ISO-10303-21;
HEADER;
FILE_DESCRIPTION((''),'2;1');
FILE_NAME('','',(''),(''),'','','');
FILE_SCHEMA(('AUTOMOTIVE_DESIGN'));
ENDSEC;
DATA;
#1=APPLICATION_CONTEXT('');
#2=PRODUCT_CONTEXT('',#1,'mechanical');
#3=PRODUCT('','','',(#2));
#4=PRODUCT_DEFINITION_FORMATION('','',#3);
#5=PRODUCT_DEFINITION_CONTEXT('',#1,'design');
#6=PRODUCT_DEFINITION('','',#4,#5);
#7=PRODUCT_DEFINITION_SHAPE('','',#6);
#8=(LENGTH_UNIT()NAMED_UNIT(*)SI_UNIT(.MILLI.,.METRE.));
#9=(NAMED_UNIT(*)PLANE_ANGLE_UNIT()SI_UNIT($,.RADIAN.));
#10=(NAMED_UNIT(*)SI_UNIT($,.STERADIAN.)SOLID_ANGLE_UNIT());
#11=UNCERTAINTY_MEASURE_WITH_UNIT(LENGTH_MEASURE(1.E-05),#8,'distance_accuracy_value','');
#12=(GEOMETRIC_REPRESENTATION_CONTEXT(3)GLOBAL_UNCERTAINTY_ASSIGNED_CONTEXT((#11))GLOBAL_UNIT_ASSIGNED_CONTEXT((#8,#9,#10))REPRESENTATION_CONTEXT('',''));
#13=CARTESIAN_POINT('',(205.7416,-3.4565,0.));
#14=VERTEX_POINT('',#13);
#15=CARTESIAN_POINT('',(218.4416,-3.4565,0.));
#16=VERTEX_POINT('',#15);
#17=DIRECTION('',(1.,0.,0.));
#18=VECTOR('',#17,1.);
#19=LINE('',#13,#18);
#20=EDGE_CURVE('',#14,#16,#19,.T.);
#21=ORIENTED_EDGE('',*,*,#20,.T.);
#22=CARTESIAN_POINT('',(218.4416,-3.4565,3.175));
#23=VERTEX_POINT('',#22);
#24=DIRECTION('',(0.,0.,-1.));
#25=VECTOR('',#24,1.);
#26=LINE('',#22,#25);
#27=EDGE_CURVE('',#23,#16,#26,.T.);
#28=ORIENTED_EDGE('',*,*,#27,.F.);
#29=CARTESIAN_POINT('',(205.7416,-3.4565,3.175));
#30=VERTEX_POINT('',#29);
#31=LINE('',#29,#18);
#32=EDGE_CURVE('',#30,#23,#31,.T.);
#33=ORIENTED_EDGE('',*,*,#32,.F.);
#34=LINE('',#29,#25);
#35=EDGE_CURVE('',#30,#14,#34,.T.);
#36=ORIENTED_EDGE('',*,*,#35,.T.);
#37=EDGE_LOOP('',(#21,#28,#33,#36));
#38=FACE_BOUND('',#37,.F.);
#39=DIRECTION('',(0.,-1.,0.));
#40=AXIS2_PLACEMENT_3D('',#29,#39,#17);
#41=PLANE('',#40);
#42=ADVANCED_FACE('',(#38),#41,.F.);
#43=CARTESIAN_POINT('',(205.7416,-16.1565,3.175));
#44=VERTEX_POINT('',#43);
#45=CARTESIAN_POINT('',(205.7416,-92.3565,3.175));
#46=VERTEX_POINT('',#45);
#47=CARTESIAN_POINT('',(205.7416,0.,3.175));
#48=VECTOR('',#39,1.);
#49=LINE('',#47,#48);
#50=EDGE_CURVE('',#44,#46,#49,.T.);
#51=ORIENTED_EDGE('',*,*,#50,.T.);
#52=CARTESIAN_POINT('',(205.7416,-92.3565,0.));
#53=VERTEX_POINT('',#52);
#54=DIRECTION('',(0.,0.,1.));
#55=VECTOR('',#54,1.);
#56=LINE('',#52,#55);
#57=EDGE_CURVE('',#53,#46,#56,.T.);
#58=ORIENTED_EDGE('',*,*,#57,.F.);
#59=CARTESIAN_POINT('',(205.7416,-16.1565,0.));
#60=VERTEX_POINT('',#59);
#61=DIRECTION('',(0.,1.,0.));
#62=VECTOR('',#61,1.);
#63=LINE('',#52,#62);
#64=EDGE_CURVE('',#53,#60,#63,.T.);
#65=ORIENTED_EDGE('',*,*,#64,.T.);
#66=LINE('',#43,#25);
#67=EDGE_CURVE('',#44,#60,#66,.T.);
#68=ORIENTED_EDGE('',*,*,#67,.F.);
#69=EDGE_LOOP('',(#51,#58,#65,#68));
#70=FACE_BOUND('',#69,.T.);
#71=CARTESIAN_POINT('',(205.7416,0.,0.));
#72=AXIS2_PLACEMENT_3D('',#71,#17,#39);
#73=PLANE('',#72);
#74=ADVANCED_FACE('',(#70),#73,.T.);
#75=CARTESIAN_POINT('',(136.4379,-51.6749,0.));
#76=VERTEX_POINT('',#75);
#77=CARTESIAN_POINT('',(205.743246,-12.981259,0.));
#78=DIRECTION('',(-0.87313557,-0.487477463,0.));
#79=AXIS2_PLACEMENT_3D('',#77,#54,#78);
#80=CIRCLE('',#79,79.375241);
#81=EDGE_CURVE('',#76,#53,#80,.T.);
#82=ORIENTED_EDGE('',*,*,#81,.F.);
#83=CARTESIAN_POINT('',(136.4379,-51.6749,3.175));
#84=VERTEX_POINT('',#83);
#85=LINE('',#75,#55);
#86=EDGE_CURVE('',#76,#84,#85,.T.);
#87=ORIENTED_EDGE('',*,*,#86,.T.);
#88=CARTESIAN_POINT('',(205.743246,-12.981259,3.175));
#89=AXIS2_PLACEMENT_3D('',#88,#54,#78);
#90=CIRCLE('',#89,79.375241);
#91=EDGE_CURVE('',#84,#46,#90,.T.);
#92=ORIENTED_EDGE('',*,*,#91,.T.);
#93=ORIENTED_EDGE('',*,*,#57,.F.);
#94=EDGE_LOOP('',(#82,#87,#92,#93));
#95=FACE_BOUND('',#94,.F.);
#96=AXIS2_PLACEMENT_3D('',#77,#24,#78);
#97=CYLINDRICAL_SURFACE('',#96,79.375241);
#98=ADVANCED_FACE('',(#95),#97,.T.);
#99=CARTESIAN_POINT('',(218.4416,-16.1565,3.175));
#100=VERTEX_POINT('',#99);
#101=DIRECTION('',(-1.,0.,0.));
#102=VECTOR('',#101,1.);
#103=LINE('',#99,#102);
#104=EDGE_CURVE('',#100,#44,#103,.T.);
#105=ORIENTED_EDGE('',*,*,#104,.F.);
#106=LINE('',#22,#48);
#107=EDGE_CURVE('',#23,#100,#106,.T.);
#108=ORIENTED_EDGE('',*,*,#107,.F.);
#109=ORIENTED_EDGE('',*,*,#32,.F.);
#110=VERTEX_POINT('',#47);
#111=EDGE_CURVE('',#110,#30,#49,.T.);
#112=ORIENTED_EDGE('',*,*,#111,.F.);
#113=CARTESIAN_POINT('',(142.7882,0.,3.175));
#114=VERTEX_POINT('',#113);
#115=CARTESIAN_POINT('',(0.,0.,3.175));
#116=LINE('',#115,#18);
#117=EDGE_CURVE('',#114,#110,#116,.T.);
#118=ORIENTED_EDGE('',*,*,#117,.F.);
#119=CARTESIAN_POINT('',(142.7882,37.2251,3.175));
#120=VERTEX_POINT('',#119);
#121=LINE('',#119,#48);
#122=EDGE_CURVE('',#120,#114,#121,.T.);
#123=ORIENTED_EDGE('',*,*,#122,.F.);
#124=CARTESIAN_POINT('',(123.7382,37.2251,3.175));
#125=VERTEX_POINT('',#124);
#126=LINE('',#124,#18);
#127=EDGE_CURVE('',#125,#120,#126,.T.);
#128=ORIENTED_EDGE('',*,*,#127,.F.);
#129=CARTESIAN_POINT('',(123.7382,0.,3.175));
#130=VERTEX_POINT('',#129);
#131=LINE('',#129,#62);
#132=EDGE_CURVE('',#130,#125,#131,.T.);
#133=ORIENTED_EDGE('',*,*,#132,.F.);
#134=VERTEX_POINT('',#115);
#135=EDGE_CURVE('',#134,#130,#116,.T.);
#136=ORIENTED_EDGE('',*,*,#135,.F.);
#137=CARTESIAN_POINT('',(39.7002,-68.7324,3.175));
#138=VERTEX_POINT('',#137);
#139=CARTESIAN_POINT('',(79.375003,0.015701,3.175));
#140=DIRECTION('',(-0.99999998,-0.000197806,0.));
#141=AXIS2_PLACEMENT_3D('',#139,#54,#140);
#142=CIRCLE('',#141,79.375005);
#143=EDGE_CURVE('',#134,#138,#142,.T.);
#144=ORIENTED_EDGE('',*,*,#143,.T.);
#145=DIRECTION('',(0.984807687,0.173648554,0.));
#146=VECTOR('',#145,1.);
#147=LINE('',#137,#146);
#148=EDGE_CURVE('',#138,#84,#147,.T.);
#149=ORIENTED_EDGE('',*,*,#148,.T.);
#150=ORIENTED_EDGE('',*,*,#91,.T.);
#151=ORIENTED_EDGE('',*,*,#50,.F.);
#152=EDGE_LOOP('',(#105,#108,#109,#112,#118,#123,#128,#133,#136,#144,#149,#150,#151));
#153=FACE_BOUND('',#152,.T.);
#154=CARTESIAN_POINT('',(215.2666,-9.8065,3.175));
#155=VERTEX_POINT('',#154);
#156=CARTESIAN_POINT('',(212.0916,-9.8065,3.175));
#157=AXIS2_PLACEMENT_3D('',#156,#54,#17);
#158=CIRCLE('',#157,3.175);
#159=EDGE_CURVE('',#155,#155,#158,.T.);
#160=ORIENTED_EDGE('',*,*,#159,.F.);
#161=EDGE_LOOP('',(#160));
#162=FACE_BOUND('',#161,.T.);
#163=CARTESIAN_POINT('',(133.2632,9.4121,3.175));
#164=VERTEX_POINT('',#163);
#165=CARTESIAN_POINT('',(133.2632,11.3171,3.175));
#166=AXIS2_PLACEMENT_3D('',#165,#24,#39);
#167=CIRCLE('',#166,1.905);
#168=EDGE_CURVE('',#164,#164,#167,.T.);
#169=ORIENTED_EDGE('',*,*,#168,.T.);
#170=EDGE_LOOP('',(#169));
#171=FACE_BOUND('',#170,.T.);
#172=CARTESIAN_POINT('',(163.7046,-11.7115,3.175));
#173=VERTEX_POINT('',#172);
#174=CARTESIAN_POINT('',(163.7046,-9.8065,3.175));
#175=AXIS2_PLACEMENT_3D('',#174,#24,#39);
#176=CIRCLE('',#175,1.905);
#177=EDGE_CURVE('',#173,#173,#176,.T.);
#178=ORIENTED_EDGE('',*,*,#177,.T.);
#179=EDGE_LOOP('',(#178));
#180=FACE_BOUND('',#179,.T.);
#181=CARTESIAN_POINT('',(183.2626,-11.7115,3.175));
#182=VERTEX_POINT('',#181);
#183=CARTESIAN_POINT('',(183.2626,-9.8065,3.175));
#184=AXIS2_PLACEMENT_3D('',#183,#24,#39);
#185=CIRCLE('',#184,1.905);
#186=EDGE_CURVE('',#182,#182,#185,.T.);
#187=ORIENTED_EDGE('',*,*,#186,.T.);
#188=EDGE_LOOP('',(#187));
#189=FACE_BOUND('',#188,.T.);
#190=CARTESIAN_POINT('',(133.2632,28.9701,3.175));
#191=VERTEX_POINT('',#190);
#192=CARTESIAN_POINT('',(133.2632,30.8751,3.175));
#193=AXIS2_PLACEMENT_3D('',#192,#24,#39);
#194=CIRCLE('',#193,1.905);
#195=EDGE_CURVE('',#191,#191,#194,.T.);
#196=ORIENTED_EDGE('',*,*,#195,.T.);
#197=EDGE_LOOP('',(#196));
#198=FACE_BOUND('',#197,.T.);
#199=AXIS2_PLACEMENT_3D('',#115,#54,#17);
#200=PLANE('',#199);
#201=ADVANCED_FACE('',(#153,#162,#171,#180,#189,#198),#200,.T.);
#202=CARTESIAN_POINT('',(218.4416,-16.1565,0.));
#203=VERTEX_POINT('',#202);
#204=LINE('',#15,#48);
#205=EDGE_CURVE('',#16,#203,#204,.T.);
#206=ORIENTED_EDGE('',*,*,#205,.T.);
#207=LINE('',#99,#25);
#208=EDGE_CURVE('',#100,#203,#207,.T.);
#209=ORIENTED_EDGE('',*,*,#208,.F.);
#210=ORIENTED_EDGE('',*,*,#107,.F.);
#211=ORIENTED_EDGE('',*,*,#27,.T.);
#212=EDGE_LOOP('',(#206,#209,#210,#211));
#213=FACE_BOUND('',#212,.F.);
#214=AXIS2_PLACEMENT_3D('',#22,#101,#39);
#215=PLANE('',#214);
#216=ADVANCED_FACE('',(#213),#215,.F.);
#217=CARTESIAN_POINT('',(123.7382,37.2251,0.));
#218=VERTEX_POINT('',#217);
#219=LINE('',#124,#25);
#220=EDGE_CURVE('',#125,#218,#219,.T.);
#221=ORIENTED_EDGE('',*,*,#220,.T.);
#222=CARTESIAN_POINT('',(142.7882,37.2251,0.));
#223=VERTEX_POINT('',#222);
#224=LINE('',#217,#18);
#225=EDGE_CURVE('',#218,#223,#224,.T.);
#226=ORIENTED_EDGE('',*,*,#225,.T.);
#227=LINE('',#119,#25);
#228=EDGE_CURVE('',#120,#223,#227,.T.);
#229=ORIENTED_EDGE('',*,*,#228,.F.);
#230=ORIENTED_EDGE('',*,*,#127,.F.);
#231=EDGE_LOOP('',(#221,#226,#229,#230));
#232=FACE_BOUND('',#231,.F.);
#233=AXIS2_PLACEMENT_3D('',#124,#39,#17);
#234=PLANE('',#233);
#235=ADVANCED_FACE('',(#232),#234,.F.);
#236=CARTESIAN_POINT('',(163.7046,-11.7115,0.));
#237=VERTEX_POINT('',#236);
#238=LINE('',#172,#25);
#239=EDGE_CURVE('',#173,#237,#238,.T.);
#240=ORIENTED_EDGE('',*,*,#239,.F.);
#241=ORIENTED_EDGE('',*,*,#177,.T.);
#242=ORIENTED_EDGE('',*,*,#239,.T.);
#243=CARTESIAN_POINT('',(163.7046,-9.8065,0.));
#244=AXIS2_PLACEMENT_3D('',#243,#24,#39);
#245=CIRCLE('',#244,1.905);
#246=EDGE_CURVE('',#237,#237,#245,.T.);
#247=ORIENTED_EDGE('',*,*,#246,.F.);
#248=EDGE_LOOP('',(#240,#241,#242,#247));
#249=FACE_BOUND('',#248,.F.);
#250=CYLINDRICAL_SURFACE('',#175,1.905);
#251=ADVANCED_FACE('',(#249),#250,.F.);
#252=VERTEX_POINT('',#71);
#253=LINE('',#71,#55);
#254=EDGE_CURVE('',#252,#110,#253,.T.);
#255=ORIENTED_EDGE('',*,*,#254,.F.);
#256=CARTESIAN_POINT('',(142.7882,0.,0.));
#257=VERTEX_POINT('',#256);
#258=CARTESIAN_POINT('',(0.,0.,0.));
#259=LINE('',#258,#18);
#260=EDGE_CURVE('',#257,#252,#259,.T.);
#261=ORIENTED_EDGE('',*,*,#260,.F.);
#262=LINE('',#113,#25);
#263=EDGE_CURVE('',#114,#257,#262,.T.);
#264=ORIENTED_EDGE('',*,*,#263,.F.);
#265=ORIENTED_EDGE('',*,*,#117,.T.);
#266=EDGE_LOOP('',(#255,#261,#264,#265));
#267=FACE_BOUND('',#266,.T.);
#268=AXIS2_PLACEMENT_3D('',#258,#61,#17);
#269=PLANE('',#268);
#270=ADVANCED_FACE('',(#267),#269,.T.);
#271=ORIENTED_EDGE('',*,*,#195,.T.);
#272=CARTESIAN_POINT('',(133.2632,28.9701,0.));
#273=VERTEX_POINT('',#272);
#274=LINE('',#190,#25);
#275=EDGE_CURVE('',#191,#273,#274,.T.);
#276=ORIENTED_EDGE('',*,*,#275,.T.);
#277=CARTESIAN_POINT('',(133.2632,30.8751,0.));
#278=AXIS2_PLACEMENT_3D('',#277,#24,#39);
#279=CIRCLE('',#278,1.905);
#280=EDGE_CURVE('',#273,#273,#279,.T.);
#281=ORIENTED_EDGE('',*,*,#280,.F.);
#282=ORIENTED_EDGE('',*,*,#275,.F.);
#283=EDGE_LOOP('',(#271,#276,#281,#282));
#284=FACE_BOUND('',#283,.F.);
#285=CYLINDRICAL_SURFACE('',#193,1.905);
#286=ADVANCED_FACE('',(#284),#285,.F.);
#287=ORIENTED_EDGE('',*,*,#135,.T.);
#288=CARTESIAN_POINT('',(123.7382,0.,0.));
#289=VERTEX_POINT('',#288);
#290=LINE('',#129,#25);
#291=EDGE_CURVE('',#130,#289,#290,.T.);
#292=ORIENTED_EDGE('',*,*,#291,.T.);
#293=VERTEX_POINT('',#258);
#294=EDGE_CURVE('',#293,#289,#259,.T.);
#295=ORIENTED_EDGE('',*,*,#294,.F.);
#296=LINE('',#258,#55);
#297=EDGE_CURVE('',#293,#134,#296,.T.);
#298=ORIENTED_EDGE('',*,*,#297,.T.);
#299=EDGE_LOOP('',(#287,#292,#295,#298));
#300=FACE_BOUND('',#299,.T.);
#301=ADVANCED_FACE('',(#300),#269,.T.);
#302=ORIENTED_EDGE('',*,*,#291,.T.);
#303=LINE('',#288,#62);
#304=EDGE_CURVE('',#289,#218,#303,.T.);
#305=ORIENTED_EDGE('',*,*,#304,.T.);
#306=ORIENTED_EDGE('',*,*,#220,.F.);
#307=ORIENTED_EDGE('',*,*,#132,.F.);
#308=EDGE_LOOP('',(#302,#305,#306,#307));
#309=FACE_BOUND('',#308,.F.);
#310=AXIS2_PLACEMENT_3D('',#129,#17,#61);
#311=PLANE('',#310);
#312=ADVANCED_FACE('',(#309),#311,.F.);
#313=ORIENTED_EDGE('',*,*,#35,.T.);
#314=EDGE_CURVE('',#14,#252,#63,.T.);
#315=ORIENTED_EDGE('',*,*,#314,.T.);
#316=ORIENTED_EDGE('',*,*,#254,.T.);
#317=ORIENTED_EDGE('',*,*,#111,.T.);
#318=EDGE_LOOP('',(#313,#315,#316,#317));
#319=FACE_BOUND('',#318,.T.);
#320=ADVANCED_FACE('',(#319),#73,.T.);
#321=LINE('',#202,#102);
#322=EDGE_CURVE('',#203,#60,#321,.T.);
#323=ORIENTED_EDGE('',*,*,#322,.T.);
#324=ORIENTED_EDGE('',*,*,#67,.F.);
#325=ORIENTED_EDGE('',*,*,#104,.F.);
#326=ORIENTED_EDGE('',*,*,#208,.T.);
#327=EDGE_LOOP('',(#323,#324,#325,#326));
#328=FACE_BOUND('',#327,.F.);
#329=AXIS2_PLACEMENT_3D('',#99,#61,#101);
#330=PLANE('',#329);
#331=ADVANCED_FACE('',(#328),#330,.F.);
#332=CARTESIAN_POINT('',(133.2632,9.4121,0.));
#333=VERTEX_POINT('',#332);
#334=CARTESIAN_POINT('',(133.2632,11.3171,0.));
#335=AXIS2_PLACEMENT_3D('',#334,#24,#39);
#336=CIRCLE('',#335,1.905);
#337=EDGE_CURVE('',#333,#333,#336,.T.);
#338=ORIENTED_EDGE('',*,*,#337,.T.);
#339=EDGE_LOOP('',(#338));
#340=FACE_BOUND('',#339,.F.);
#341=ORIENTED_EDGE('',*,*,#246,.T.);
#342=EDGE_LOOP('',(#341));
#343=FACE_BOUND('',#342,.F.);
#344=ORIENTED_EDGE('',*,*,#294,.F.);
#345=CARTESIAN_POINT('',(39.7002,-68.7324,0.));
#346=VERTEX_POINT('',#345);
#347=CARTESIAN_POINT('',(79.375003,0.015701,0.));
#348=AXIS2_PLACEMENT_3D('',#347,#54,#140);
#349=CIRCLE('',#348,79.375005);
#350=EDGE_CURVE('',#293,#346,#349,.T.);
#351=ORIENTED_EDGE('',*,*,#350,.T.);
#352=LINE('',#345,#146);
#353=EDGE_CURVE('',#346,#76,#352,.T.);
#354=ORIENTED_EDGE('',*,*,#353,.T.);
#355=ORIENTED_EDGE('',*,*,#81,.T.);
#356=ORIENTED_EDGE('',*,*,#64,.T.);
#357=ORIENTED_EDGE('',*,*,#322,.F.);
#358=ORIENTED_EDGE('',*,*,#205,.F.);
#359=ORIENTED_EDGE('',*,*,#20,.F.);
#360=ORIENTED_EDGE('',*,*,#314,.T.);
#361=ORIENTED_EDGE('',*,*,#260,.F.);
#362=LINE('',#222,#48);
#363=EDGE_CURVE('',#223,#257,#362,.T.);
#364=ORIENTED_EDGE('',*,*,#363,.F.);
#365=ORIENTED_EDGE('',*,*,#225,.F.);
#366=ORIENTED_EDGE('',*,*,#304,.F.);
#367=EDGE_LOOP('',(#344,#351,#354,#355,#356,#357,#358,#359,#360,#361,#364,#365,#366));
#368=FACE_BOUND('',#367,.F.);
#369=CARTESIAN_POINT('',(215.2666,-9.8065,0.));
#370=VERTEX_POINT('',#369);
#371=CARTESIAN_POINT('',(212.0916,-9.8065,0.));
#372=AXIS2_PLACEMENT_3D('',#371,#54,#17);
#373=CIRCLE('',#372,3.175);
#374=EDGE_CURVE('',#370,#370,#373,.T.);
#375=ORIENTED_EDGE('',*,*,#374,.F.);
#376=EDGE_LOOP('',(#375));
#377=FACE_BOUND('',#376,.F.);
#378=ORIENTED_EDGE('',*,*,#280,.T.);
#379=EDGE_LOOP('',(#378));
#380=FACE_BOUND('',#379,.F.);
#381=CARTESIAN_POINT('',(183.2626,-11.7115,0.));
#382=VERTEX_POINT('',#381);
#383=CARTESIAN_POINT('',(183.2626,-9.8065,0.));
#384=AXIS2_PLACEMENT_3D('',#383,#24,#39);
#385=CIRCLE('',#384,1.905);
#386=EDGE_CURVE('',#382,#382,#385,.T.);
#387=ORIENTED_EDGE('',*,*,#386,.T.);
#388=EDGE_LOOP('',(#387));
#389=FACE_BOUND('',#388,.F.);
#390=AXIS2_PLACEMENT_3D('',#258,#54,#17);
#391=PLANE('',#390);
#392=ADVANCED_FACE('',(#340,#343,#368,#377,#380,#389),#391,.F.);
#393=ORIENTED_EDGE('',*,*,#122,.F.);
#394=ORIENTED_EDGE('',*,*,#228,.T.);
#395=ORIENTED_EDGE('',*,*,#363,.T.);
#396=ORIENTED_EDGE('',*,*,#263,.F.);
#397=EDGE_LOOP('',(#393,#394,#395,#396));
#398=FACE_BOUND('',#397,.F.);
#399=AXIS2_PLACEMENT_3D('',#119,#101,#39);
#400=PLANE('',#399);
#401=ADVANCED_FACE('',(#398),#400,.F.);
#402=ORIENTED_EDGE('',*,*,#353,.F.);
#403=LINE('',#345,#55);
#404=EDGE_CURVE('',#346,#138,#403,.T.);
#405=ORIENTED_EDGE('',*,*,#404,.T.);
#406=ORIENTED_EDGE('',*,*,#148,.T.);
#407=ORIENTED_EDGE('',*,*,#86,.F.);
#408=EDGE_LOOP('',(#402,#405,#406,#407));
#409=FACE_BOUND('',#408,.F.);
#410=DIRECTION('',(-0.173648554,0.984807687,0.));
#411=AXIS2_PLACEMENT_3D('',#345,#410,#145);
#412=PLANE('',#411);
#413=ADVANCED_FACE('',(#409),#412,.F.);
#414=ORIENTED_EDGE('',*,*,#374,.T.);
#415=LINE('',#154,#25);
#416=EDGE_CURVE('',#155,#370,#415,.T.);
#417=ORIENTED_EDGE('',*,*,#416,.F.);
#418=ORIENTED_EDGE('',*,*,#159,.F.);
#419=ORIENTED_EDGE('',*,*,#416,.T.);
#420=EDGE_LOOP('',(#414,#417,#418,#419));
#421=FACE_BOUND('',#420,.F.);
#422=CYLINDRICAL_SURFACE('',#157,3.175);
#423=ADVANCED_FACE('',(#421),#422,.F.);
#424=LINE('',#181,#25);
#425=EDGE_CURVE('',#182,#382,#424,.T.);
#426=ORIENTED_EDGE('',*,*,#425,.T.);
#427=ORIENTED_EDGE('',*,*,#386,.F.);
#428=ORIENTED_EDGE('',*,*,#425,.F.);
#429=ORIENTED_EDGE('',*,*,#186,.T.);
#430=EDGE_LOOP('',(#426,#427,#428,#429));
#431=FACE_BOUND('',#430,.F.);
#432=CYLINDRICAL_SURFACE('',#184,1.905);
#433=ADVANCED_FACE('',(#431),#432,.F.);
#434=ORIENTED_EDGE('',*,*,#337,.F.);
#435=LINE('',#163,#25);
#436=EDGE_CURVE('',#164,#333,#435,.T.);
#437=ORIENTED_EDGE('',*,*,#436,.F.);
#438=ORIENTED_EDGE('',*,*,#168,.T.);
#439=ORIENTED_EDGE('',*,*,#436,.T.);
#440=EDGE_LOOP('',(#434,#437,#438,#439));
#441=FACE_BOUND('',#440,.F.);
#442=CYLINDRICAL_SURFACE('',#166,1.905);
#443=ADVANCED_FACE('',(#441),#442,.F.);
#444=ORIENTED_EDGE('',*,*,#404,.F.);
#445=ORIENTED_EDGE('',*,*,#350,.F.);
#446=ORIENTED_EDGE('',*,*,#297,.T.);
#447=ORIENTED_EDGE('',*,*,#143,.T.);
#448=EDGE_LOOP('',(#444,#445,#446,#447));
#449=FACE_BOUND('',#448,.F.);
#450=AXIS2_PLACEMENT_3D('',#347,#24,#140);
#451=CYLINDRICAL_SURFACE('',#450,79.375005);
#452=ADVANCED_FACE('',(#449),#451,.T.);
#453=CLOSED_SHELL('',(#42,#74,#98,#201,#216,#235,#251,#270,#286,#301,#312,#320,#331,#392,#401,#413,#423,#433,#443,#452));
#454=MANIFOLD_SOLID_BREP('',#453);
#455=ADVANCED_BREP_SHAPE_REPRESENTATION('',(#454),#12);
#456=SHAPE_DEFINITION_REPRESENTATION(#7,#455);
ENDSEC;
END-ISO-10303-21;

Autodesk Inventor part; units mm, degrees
ref_plane "YZ Plane" through (0, 0, 0) normal (1, 0, 0) x (0, 1, 0)
ref_plane "XZ Plane" through (0, 0, 0) normal (0, 1, 0) x (-1, 0, 0)
ref_plane "XY Plane" through (0, 0, 0) normal (0, 0, 1) x (1, 0, 0)
sketch "Sketch1" plane through (0, 0, 0) normal (0, 0, 1) x (1, 0, 0)
  arc A0 (0, 0) -> (39.7002, -68.7324) centre (79.375, 0.0157) ccw
  line L0 (39.7002, -68.7324) -> (139.7567, -51.0897)
  line L1 (39.7002, -68.7324) -> (141.3002, -68.7324) construction
  arc A1 (136.4379, -51.6749) -> (205.7416, -92.3565) centre (205.743, -12.9815) ccw
  arc A2 (139.7567, -51.0897) -> (205.7416, -89.1815) centre (205.743, -12.9815) ccw
  line L2 (205.7416, -89.1815) -> (205.7416, -92.3565)
  line L3 (0, 0) -> (205.7416, 0)
  line L4 (205.7416, 0) -> (205.7416, -89.1815)
  dimension "d0" = 79.375
  dimension "d1" = 68.7324
  dimension "d2" = 39.7002
  dimension "d3" = 101.6
  dimension "d4" = 10
  dimension "d5" = 79.375
  dimension "d6" = 76.2
  dimension "d7" = 3.175
  dimension "d9" = 0
  dimension "d10" = 0
  dimension "d11" = 48.9712
extrude "Extrusion1" add sketch "Sketch1" along normal blind 3.175
sketch "Sketch2" plane through (0, 0, 3.175) normal (0, 0, 1) x (1, 0, 0)
  line L0 (205.7416, -92.3565) -> (205.7416, 0) projected
  line L1 (205.7416, -3.4565) -> (218.4416, -3.4565)
  line L2 (218.4416, -3.4565) -> (218.4416, -16.1565)
  line L3 (218.4416, -16.1565) -> (205.7416, -16.1565)
  line L4 (205.7416, -16.1565) -> (205.7416, -3.4565)
  circle A0 centre (212.0916, -9.8065) radius 3.175
  point P0 (0, 0)
  dimension "d14" = 12.7
  dimension "d15" = 12.7
  dimension "d16" = 92.3565
  dimension "d17" = 6.35
  dimension "d18" = 82.55
  dimension "d19" = 6.35
extrude "Extrusion2" add sketch "Sketch2" against normal blind 3.175
sketch "Sketch3" plane through (0, 0, 3.175) normal (0, 0, 1) x (1, 0, 0)
  circle A0 centre (212.0916, -9.8065) radius 3.175 projected
  arc A1 (0, 0) -> (39.7002, -68.7324) centre (79.375, 0.0157) ccw projected
  line L0 (39.7002, -68.7324) -> (136.4379, -51.6749) projected
  arc A2 (136.4379, -51.6749) -> (205.7416, -92.3565) centre (205.743, -12.9815) ccw projected
  line L1 (205.7416, -92.3565) -> (205.7416, -16.1565) projected
  line L2 (218.4416, -16.1565) -> (205.7416, -16.1565) projected
  line L3 (218.4416, -3.4565) -> (218.4416, -16.1565) projected
  line L4 (205.7416, -3.4565) -> (218.4416, -3.4565) projected
  line L5 (205.7416, -3.4565) -> (205.7416, 0) projected
  line L6 (205.7416, 0) -> (0, 0) projected
  line L7 (205.7416, 0) -> (0, 0) projected
  line L8 (142.7882, 0) -> (123.7382, 0)
  line L9 (123.7382, 0) -> (123.7382, 37.2251)
  line L10 (123.7382, 37.2251) -> (142.7882, 37.2251)
  line L11 (142.7882, 37.2251) -> (142.7882, 0)
  dimension "d22" = 19.05
  dimension "d23" = 88.9
  dimension "d25" = 47.0315
  dimension "d26" = 69.3034
extrude "Extrusion3" add sketch "Sketch3" against normal blind 3.175 contours L9 L10 L11 L6
sketch "Sketch4" plane through (0, 0, 3.175) normal (0, 0, 1) x (1, 0, 0)
  circle A0 centre (212.0916, -9.8065) radius 3.175 projected
  arc A1 (0, 0) -> (39.7002, -68.7324) centre (79.375, 0.0157) ccw projected
  line L0 (39.7002, -68.7324) -> (136.4379, -51.6749) projected
  arc A2 (136.4379, -51.6749) -> (205.7416, -92.3565) centre (205.743, -12.9815) ccw projected
  line L1 (205.7416, -92.3565) -> (205.7416, -16.1565) projected
  line L2 (218.4416, -16.1565) -> (205.7416, -16.1565) projected
  line L3 (218.4416, -3.4565) -> (218.4416, -16.1565) projected
  line L4 (205.7416, -3.4565) -> (218.4416, -3.4565) projected
  line L5 (205.7416, -3.4565) -> (205.7416, 0) projected
  line L6 (205.7416, 0) -> (142.7882, 0) projected
  line L7 (142.7882, 0) -> (142.7882, 37.2251) projected
  line L8 (142.7882, 37.2251) -> (123.7382, 37.2251) projected
  line L9 (123.7382, 37.2251) -> (123.7382, 0) projected
  line L10 (123.7382, 0) -> (0, 0) projected
  point P0 (133.2632, 30.8751)
  point P1 (133.2632, 11.3171)
  point P2 (183.2626, -9.8065)
  point P3 (163.7046, -9.8065)
  dimension "d29" = 9.525
  dimension "d30" = 6.35
  dimension "d31" = 19.558
  dimension "d32" = 9.525
  dimension "d33" = 28.829
  dimension "d35" = 0
  dimension "d36" = 0
  dimension "d44" = 19.558
hole "Hole1" at (133.2632, 30.8751, 3.175) at (133.2632, 11.3171, 3.175) at (183.2626, -9.8065, 3.175) at (163.7046, -9.8065, 3.175) direction (0, 0, -1) diameter 3.81 end through all
equation "\"d19\" = 0.5 * d15"
equation "\"d32\" = d29"
properties part number "CollectionCasing"
